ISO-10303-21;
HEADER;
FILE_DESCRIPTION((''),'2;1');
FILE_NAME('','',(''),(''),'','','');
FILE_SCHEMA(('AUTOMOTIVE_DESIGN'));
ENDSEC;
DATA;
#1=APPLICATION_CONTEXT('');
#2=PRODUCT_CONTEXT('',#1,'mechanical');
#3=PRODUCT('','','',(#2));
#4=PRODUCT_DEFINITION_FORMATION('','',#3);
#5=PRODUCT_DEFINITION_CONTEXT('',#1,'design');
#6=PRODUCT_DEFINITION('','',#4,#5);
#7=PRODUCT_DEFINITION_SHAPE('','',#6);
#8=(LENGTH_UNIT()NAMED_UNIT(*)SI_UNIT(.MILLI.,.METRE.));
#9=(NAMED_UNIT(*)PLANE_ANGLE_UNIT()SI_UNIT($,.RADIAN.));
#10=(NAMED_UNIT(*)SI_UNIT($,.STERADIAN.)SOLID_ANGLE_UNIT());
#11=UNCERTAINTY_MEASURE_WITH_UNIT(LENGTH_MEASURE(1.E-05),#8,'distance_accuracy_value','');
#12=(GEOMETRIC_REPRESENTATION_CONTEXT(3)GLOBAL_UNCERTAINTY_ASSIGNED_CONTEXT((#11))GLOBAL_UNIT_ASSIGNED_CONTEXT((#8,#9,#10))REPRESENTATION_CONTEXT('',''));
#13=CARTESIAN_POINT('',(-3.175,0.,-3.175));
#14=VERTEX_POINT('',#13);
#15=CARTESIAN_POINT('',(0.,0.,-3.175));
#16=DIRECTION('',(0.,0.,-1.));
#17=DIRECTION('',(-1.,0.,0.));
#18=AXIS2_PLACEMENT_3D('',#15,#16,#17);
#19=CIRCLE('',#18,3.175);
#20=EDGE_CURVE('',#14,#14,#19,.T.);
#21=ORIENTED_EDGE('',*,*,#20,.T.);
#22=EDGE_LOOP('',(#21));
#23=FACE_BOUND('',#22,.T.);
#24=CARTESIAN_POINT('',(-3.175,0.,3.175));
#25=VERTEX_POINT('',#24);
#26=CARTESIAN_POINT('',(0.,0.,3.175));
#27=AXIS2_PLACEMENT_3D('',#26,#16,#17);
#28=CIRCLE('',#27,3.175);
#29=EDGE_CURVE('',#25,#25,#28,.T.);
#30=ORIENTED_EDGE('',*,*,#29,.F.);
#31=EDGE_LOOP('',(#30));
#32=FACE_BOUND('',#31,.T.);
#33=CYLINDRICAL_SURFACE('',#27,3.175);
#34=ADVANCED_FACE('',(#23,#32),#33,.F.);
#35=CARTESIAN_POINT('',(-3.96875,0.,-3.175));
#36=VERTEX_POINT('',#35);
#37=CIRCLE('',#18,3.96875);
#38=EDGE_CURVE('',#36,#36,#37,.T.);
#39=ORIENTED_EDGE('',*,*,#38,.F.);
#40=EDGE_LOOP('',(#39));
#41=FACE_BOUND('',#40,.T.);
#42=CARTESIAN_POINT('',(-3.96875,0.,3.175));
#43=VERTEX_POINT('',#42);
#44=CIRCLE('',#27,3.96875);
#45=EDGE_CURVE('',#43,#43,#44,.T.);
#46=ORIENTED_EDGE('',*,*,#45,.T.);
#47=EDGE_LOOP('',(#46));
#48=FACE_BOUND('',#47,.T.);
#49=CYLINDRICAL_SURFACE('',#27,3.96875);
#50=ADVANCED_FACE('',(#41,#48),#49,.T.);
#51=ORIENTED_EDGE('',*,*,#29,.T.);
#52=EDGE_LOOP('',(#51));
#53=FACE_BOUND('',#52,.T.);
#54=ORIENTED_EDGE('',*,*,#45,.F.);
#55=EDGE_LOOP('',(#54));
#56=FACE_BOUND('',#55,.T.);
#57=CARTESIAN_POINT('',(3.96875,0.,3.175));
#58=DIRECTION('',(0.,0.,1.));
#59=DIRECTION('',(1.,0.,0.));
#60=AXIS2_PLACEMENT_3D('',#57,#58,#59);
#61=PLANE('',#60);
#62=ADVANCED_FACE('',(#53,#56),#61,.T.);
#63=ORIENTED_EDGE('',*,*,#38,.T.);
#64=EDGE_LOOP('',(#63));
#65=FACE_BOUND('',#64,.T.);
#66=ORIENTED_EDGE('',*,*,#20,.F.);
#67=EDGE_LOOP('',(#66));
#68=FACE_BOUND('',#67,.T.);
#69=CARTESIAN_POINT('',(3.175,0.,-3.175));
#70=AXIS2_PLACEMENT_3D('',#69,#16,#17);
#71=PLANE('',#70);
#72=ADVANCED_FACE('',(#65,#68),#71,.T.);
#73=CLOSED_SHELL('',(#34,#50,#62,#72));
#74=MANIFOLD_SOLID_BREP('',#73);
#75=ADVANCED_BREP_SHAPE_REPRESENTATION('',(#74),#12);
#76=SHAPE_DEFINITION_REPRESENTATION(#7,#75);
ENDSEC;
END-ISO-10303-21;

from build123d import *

# Parameters (mm, degrees)
SKETCH1_W = 0.79375
SKETCH1_H = 6.35


with BuildPart() as part:
    # Sketch1 → Revolve1 (revolve)
    with BuildSketch(Plane.XZ):
        with Locations((3.571875, 0)):
            Rectangle(SKETCH1_W, SKETCH1_H)
    revolve(axis=Axis((0, 0, 3.175), (0, 0, -1)))


solid = part.part
